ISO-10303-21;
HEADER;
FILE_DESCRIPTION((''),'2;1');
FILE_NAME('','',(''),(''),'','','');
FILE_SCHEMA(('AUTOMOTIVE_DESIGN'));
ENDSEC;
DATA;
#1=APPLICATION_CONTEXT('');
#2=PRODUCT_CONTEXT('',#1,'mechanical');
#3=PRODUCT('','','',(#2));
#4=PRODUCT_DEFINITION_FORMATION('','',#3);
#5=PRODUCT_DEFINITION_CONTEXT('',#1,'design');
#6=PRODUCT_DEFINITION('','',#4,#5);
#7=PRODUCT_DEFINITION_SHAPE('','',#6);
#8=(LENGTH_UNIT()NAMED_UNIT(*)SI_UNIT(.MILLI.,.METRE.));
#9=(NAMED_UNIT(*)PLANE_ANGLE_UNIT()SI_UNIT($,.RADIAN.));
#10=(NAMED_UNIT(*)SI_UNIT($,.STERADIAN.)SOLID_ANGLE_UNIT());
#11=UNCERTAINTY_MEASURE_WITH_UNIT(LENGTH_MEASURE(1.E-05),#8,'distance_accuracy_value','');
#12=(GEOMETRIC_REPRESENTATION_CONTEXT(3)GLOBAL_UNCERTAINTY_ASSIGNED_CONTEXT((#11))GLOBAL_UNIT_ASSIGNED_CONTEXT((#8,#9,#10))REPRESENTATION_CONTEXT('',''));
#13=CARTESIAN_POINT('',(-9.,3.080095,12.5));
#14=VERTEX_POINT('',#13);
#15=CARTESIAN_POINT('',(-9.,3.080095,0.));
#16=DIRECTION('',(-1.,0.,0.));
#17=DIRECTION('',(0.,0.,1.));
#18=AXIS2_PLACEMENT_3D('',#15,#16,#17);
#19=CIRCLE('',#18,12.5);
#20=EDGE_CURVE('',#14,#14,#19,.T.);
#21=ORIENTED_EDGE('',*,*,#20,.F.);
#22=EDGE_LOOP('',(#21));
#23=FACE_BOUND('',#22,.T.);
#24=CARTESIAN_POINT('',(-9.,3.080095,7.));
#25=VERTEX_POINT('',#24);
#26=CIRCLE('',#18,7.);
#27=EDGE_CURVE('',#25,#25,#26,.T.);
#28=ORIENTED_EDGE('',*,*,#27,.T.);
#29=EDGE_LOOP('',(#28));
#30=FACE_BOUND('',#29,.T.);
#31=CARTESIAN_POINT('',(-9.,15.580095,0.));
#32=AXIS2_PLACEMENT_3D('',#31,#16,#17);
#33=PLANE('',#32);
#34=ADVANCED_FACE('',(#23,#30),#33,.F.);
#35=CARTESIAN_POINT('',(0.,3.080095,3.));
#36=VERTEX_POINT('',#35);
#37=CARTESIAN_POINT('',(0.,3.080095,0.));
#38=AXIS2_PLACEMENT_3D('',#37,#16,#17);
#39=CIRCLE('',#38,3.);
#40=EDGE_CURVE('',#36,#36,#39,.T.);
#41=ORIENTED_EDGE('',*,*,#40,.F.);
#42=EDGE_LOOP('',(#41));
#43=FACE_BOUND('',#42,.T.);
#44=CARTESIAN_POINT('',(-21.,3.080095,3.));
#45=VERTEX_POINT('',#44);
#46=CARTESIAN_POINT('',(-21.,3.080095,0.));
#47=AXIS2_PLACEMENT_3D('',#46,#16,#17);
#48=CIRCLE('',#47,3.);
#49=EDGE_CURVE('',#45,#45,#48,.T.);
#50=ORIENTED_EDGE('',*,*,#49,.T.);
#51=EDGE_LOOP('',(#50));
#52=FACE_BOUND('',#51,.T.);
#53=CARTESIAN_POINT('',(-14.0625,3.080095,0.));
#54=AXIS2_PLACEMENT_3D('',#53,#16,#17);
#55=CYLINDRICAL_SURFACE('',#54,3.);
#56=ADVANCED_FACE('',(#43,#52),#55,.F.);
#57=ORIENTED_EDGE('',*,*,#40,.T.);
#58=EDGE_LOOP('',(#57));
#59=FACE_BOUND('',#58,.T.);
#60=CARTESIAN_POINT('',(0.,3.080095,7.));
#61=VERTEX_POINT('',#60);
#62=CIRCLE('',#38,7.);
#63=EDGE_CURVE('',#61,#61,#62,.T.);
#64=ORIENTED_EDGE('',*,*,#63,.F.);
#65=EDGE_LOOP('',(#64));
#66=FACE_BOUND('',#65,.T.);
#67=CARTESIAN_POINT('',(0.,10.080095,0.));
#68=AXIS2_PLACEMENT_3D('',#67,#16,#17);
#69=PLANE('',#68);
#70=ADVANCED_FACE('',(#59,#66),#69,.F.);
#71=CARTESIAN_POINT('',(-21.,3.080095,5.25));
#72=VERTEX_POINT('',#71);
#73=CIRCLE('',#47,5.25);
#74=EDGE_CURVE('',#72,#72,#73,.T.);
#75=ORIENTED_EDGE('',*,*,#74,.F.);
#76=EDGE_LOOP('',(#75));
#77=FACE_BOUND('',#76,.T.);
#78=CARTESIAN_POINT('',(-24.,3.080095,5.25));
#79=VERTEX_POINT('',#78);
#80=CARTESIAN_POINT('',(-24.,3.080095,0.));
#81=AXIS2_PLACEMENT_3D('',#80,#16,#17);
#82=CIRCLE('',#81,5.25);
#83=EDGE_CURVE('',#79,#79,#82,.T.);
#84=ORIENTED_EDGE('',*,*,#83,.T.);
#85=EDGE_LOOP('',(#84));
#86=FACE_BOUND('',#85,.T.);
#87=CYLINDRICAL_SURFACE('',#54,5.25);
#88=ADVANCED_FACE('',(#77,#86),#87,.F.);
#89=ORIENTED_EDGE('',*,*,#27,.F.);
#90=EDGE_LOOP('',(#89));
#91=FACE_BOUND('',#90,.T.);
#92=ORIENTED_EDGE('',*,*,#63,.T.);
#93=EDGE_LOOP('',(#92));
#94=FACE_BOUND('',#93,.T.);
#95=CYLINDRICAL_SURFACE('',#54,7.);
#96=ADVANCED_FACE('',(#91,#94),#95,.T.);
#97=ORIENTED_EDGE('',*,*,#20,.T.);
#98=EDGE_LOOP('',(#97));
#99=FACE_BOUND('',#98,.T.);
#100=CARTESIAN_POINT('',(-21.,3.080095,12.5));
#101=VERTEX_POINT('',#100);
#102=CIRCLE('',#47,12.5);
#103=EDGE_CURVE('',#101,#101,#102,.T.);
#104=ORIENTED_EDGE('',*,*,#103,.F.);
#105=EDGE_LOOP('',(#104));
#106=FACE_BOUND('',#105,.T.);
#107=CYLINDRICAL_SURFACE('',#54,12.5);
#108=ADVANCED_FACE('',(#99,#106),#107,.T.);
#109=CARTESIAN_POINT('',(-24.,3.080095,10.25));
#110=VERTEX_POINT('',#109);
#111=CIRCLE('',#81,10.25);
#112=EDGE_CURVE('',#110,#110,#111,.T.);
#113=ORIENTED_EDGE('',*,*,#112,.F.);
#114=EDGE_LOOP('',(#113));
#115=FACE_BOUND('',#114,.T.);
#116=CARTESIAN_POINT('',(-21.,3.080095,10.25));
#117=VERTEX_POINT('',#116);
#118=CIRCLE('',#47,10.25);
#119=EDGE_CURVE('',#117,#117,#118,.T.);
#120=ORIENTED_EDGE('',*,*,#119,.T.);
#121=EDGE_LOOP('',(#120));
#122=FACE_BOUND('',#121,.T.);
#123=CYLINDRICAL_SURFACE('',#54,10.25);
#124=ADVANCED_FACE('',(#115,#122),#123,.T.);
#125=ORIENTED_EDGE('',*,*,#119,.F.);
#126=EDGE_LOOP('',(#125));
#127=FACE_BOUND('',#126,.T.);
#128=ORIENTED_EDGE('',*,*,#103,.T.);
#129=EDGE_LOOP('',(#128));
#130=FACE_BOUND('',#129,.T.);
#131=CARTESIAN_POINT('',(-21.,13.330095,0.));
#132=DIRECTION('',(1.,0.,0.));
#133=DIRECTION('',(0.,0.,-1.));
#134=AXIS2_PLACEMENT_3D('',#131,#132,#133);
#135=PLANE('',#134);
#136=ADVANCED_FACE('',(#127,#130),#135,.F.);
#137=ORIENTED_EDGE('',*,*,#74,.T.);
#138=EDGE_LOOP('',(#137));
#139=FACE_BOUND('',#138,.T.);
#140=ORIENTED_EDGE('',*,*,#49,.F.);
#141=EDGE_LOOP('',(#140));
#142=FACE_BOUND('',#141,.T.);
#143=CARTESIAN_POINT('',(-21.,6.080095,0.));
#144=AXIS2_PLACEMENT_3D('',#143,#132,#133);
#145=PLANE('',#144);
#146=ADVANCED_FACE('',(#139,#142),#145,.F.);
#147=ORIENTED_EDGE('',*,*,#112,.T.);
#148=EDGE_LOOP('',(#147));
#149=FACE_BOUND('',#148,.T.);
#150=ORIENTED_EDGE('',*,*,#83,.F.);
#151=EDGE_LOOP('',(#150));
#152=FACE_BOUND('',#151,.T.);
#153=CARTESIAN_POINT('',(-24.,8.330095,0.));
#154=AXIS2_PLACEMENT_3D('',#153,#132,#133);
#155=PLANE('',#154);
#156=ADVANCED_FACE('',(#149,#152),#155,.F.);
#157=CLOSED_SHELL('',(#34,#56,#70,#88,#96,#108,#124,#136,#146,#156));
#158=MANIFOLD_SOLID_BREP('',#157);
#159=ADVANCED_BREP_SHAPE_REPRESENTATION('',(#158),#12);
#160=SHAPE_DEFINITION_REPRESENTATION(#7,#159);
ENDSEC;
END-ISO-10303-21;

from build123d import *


with BuildPart() as part:
    # Esquisse1 → Révolution1 (revolve)
    with BuildSketch(Plane.XY, mode=Mode.PRIVATE) as r_volution1_sk:
        Polygon((-21, 8.330094596), (-24, 8.330094596), (-24, 13.330094596), (-21, 13.330094596), (-21, 15.580094596), (-9, 15.580094596), (-9, 10.080094596), (0, 10.080094596), (0, 6.080094596), (-21, 6.080094596), align=None)
    revolve(r_volution1_sk.sketch.rotate(Axis((-14.0625, 3.080094596, 0), (1, 0, 0)), 90), axis=Axis((-14.0625, 3.080094596, 0), (1, 0, 0)))


solid = part.part
